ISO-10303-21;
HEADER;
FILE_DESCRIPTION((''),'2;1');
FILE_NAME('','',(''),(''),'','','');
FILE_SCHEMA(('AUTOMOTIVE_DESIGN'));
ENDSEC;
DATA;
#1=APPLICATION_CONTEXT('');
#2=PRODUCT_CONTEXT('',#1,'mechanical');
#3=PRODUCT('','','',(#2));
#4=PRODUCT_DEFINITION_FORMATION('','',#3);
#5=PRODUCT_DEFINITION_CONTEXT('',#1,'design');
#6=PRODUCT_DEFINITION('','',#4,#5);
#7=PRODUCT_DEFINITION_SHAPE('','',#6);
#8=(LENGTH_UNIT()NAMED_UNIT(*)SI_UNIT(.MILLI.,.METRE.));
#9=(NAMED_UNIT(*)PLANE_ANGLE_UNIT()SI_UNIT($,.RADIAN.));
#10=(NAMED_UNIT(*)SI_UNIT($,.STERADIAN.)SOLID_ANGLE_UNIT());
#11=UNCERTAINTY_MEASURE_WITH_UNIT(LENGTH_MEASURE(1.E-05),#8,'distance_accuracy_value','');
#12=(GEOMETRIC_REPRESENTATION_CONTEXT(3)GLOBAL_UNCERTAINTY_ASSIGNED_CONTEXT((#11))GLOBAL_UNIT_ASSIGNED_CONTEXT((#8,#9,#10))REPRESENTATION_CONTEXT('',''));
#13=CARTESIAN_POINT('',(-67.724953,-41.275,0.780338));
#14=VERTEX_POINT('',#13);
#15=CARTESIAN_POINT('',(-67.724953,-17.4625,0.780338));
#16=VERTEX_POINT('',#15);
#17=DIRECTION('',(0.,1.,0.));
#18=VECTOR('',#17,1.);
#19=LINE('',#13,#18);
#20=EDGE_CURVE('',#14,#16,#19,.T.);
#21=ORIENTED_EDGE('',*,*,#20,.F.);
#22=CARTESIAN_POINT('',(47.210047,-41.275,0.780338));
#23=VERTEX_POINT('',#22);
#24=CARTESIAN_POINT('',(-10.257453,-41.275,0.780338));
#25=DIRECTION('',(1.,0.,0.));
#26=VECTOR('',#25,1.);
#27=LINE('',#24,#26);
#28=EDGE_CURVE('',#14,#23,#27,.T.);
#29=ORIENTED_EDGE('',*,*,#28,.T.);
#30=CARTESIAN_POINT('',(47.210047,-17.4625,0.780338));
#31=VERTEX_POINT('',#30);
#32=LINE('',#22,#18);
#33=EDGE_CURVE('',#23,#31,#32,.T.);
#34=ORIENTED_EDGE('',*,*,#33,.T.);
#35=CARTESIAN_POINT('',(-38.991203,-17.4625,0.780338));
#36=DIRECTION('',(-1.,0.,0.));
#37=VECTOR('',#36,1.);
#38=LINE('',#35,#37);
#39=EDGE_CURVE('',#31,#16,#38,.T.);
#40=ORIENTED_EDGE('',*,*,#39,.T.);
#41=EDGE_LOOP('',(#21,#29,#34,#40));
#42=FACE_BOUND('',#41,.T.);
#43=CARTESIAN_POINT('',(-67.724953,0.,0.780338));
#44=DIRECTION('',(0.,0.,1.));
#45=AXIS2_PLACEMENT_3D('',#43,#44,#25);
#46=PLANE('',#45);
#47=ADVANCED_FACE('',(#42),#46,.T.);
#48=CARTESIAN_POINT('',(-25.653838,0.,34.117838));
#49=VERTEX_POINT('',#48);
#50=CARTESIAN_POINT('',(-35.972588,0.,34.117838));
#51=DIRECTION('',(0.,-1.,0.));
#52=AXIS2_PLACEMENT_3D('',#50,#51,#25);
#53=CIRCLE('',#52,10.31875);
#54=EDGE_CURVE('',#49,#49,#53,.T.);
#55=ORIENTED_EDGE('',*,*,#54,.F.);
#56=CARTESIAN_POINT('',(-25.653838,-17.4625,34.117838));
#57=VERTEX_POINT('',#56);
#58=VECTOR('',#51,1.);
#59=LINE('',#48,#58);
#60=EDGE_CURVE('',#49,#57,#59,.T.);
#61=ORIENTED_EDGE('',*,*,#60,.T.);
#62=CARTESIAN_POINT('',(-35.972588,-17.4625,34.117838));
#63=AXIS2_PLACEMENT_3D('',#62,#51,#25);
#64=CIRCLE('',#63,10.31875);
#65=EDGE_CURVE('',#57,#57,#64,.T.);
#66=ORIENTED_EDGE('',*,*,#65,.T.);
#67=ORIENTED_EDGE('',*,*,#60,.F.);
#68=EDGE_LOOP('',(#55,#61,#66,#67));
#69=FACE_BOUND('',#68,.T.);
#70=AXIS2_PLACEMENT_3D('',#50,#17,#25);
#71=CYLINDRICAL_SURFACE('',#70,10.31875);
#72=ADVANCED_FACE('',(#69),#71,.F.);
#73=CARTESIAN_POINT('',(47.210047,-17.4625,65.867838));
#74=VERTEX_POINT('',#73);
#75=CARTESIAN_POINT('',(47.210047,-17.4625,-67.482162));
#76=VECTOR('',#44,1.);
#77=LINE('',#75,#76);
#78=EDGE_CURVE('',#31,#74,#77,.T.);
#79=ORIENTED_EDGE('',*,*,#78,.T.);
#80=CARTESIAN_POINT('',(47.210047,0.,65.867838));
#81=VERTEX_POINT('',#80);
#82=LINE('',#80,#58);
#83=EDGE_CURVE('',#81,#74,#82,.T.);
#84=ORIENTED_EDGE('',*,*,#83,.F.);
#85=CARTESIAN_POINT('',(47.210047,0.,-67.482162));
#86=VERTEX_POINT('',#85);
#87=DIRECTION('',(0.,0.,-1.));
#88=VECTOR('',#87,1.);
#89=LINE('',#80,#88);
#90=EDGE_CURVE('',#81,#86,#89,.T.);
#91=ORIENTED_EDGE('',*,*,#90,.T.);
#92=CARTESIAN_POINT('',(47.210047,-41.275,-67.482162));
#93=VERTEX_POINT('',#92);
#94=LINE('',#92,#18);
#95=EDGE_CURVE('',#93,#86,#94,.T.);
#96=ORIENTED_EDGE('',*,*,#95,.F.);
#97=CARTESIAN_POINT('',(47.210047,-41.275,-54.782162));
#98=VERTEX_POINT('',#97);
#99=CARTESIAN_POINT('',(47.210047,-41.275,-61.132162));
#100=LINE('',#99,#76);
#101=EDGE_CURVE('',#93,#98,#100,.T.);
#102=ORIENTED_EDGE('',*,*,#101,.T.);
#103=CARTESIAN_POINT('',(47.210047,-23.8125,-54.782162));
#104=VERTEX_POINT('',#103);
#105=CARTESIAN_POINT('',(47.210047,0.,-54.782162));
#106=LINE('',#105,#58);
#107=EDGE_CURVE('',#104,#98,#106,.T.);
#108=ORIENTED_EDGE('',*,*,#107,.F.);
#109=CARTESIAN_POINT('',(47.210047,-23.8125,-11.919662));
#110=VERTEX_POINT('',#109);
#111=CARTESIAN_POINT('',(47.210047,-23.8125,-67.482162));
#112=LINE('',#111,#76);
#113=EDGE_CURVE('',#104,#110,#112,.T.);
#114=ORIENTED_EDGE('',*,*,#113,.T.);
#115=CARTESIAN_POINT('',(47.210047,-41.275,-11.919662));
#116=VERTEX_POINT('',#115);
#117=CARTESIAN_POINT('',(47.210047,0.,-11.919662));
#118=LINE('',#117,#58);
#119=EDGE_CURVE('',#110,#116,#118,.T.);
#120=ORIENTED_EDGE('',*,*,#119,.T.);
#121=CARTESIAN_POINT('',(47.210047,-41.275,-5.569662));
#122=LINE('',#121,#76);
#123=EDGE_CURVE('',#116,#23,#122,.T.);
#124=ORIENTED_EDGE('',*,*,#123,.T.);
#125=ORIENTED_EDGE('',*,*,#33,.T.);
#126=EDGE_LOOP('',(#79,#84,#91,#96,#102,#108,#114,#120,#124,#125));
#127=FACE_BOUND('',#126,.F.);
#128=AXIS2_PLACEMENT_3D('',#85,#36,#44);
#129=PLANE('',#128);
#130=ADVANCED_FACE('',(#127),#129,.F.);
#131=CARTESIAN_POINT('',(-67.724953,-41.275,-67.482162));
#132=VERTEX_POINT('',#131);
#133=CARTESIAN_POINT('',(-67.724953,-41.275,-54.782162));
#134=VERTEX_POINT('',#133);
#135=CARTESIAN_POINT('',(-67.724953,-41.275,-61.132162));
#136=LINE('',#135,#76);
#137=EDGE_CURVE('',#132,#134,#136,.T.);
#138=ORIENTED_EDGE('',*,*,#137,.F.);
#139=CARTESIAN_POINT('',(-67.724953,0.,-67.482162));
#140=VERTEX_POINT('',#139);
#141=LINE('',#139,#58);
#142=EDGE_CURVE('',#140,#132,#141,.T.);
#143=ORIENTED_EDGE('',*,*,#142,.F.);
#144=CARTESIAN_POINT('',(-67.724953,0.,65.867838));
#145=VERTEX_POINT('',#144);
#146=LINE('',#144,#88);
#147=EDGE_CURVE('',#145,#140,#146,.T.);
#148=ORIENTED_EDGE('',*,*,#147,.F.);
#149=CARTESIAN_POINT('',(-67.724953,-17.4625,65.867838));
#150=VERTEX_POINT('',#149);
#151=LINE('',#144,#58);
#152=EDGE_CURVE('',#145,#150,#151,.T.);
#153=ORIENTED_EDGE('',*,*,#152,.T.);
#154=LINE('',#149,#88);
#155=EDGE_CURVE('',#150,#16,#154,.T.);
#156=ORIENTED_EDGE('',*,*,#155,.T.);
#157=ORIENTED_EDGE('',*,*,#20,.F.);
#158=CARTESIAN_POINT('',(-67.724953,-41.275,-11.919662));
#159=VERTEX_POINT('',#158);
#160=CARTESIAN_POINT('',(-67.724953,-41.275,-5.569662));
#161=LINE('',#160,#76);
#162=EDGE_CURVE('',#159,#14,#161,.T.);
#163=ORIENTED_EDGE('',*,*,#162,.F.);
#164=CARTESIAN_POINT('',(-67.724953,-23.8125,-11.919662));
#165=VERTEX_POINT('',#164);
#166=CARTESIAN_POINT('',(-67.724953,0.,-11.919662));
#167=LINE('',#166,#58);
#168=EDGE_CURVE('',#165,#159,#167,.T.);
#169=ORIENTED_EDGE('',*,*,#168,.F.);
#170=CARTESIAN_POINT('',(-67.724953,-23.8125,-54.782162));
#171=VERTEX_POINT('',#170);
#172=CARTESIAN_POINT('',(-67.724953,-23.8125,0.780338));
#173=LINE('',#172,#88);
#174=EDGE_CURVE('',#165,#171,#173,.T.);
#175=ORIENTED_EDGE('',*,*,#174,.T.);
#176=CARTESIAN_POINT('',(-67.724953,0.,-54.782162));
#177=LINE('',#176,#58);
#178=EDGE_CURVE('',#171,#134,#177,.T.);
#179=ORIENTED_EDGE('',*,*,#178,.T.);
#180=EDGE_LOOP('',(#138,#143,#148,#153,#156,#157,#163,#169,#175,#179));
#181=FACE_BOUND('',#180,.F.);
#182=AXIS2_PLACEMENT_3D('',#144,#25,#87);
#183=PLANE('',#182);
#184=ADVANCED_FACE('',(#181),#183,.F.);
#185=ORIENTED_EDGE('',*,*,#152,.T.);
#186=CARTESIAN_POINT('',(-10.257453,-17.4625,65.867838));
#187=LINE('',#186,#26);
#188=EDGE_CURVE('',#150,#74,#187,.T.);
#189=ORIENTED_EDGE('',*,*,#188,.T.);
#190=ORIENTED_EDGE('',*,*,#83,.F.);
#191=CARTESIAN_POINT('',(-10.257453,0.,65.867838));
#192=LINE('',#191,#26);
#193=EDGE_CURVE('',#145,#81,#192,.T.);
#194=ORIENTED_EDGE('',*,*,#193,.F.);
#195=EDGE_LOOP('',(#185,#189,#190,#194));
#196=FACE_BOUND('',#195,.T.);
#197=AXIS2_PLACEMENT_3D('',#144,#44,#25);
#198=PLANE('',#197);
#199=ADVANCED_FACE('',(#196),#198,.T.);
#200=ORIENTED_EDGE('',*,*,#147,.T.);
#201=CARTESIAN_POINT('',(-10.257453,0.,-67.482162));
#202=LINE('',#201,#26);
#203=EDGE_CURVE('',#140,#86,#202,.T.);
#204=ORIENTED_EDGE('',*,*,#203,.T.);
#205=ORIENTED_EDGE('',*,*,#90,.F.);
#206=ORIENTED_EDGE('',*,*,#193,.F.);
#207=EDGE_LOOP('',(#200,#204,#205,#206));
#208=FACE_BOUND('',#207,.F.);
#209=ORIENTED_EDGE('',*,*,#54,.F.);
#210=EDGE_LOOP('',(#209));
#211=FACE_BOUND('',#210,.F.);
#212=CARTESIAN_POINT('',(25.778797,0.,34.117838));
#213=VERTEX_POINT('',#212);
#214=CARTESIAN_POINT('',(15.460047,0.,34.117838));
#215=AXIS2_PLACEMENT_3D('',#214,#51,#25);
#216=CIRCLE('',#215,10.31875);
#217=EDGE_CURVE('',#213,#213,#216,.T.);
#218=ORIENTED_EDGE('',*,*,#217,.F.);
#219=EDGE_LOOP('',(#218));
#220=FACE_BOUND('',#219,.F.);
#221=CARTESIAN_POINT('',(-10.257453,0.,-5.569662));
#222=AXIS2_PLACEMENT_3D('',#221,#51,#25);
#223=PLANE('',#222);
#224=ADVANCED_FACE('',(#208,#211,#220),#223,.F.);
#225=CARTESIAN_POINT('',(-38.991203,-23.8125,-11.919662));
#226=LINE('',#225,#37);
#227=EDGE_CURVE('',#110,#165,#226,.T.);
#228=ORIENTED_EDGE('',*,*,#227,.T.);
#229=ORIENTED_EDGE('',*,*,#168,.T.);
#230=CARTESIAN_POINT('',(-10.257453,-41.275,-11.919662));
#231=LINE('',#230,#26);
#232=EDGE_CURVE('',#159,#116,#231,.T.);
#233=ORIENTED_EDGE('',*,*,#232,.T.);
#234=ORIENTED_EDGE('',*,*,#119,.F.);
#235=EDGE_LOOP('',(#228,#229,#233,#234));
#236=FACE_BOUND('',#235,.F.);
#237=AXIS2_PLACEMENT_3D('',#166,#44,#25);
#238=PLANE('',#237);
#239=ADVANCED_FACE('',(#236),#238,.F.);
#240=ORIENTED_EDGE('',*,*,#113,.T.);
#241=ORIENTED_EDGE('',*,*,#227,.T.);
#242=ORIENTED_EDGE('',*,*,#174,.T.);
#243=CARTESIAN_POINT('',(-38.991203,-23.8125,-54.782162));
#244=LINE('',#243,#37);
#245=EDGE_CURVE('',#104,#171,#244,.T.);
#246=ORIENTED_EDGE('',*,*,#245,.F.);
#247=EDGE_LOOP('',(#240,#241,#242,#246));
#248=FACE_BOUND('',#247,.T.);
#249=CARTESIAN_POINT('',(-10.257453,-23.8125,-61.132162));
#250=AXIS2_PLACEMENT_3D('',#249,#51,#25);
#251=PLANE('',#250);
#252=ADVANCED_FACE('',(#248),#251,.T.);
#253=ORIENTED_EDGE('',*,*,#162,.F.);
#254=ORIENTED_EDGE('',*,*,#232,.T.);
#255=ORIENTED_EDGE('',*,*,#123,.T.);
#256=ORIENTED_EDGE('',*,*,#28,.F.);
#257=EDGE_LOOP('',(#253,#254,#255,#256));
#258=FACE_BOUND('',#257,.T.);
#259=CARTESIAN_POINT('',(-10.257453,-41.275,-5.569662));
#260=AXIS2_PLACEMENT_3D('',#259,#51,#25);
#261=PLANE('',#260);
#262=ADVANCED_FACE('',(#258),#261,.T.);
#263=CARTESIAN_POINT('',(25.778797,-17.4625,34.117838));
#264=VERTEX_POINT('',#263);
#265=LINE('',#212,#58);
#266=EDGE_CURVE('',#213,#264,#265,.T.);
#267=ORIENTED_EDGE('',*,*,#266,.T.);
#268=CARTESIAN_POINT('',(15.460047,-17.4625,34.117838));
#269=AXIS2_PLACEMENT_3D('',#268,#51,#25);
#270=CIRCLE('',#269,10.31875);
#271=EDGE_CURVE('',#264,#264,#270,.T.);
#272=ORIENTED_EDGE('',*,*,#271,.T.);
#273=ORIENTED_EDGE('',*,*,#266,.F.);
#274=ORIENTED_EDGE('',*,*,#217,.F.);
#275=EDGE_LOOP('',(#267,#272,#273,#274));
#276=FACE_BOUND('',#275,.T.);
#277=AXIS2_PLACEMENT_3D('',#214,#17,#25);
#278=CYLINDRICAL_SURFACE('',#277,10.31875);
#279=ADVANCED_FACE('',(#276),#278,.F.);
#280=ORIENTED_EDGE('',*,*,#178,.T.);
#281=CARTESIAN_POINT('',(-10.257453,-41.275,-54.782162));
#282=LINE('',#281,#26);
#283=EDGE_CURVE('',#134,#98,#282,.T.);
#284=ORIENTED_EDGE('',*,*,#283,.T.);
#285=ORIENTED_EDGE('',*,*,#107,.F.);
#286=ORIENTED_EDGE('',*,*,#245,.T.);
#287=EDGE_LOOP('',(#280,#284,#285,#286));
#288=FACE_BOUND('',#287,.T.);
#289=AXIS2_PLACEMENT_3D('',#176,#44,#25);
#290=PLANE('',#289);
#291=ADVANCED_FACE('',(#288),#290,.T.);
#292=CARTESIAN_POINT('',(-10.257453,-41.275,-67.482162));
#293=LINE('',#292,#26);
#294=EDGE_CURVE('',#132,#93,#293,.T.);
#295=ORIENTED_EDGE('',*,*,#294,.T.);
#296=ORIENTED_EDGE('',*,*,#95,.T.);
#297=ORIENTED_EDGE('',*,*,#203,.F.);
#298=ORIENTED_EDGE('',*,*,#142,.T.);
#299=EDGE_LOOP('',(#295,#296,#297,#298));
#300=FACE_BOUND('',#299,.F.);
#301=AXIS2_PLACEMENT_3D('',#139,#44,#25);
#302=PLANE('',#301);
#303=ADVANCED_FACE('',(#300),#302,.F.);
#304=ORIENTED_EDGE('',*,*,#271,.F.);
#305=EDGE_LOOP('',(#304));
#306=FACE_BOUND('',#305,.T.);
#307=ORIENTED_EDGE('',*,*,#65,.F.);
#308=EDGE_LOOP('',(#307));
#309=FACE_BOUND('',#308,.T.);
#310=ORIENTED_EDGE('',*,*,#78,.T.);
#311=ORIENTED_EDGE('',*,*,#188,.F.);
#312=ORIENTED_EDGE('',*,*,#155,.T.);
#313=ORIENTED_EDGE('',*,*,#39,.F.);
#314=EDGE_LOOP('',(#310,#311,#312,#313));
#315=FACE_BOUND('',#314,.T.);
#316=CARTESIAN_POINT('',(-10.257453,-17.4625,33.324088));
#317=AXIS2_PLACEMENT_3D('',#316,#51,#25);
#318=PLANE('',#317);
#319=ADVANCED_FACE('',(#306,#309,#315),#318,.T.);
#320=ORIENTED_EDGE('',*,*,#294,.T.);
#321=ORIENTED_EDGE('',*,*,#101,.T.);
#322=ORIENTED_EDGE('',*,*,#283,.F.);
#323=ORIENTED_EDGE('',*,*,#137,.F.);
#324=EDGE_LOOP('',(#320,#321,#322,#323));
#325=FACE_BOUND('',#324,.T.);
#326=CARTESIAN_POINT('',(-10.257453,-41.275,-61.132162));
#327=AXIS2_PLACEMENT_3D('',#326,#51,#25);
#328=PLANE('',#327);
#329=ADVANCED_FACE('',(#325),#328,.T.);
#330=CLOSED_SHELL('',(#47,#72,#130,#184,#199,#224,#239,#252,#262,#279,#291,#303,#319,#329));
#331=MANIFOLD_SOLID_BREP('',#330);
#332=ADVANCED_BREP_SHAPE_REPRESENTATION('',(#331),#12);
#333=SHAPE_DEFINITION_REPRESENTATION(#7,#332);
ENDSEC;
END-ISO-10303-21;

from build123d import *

# Parameters (mm, degrees)
F0_W     = 114.935
F0_H     = 65.0875
F0_R     = 10.31875
F0_H_2   = 12.7
F0_H_3   = 42.8625
F1_DEPTH = 17.4625
F2_DEPTH = 23.8125
F3_DEPTH = 41.275


with BuildPart() as f1:
    # F0 (on Front) → F1 (new body)
    with BuildSketch(Plane.XZ):
        with Locations((-10.257453, 33.324088)):
            Rectangle(F0_W, F0_H)
        with Locations((-35.972588, 34.117838)):
            Circle(F0_R, mode=Mode.SUBTRACT)
        with Locations((15.460047, 34.117838)):
            Circle(F0_R, mode=Mode.SUBTRACT)
        with Locations((-10.257453, -5.569662)):
            Rectangle(F0_W, F0_H_2)
        with Locations((-10.257453, -33.350912)):
            Rectangle(F0_W, F0_H_3)
        with Locations((-10.257453, -61.132162)):
            Rectangle(F0_W, F0_H_2)
    extrude(amount=F1_DEPTH)

    # F0 (on Front) → F2 (join)
    with BuildSketch(Plane.XZ):
        with Locations((-10.257453, -61.132162)):
            Rectangle(F0_W, F0_H_2)
        with Locations((-10.257453, -33.350912)):
            Rectangle(F0_W, F0_H_3)
        with Locations((-10.257453, -5.569662)):
            Rectangle(F0_W, F0_H_2)
    extrude(amount=F2_DEPTH)

    # F0 (on Front) → F3 (join)
    with BuildSketch(Plane.XZ):
        with Locations((-10.257453, -5.569662)):
            Rectangle(F0_W, F0_H_2)
        with Locations((-10.257453, -61.132162)):
            Rectangle(F0_W, F0_H_2)
    extrude(amount=F3_DEPTH)


solid = f1.part
